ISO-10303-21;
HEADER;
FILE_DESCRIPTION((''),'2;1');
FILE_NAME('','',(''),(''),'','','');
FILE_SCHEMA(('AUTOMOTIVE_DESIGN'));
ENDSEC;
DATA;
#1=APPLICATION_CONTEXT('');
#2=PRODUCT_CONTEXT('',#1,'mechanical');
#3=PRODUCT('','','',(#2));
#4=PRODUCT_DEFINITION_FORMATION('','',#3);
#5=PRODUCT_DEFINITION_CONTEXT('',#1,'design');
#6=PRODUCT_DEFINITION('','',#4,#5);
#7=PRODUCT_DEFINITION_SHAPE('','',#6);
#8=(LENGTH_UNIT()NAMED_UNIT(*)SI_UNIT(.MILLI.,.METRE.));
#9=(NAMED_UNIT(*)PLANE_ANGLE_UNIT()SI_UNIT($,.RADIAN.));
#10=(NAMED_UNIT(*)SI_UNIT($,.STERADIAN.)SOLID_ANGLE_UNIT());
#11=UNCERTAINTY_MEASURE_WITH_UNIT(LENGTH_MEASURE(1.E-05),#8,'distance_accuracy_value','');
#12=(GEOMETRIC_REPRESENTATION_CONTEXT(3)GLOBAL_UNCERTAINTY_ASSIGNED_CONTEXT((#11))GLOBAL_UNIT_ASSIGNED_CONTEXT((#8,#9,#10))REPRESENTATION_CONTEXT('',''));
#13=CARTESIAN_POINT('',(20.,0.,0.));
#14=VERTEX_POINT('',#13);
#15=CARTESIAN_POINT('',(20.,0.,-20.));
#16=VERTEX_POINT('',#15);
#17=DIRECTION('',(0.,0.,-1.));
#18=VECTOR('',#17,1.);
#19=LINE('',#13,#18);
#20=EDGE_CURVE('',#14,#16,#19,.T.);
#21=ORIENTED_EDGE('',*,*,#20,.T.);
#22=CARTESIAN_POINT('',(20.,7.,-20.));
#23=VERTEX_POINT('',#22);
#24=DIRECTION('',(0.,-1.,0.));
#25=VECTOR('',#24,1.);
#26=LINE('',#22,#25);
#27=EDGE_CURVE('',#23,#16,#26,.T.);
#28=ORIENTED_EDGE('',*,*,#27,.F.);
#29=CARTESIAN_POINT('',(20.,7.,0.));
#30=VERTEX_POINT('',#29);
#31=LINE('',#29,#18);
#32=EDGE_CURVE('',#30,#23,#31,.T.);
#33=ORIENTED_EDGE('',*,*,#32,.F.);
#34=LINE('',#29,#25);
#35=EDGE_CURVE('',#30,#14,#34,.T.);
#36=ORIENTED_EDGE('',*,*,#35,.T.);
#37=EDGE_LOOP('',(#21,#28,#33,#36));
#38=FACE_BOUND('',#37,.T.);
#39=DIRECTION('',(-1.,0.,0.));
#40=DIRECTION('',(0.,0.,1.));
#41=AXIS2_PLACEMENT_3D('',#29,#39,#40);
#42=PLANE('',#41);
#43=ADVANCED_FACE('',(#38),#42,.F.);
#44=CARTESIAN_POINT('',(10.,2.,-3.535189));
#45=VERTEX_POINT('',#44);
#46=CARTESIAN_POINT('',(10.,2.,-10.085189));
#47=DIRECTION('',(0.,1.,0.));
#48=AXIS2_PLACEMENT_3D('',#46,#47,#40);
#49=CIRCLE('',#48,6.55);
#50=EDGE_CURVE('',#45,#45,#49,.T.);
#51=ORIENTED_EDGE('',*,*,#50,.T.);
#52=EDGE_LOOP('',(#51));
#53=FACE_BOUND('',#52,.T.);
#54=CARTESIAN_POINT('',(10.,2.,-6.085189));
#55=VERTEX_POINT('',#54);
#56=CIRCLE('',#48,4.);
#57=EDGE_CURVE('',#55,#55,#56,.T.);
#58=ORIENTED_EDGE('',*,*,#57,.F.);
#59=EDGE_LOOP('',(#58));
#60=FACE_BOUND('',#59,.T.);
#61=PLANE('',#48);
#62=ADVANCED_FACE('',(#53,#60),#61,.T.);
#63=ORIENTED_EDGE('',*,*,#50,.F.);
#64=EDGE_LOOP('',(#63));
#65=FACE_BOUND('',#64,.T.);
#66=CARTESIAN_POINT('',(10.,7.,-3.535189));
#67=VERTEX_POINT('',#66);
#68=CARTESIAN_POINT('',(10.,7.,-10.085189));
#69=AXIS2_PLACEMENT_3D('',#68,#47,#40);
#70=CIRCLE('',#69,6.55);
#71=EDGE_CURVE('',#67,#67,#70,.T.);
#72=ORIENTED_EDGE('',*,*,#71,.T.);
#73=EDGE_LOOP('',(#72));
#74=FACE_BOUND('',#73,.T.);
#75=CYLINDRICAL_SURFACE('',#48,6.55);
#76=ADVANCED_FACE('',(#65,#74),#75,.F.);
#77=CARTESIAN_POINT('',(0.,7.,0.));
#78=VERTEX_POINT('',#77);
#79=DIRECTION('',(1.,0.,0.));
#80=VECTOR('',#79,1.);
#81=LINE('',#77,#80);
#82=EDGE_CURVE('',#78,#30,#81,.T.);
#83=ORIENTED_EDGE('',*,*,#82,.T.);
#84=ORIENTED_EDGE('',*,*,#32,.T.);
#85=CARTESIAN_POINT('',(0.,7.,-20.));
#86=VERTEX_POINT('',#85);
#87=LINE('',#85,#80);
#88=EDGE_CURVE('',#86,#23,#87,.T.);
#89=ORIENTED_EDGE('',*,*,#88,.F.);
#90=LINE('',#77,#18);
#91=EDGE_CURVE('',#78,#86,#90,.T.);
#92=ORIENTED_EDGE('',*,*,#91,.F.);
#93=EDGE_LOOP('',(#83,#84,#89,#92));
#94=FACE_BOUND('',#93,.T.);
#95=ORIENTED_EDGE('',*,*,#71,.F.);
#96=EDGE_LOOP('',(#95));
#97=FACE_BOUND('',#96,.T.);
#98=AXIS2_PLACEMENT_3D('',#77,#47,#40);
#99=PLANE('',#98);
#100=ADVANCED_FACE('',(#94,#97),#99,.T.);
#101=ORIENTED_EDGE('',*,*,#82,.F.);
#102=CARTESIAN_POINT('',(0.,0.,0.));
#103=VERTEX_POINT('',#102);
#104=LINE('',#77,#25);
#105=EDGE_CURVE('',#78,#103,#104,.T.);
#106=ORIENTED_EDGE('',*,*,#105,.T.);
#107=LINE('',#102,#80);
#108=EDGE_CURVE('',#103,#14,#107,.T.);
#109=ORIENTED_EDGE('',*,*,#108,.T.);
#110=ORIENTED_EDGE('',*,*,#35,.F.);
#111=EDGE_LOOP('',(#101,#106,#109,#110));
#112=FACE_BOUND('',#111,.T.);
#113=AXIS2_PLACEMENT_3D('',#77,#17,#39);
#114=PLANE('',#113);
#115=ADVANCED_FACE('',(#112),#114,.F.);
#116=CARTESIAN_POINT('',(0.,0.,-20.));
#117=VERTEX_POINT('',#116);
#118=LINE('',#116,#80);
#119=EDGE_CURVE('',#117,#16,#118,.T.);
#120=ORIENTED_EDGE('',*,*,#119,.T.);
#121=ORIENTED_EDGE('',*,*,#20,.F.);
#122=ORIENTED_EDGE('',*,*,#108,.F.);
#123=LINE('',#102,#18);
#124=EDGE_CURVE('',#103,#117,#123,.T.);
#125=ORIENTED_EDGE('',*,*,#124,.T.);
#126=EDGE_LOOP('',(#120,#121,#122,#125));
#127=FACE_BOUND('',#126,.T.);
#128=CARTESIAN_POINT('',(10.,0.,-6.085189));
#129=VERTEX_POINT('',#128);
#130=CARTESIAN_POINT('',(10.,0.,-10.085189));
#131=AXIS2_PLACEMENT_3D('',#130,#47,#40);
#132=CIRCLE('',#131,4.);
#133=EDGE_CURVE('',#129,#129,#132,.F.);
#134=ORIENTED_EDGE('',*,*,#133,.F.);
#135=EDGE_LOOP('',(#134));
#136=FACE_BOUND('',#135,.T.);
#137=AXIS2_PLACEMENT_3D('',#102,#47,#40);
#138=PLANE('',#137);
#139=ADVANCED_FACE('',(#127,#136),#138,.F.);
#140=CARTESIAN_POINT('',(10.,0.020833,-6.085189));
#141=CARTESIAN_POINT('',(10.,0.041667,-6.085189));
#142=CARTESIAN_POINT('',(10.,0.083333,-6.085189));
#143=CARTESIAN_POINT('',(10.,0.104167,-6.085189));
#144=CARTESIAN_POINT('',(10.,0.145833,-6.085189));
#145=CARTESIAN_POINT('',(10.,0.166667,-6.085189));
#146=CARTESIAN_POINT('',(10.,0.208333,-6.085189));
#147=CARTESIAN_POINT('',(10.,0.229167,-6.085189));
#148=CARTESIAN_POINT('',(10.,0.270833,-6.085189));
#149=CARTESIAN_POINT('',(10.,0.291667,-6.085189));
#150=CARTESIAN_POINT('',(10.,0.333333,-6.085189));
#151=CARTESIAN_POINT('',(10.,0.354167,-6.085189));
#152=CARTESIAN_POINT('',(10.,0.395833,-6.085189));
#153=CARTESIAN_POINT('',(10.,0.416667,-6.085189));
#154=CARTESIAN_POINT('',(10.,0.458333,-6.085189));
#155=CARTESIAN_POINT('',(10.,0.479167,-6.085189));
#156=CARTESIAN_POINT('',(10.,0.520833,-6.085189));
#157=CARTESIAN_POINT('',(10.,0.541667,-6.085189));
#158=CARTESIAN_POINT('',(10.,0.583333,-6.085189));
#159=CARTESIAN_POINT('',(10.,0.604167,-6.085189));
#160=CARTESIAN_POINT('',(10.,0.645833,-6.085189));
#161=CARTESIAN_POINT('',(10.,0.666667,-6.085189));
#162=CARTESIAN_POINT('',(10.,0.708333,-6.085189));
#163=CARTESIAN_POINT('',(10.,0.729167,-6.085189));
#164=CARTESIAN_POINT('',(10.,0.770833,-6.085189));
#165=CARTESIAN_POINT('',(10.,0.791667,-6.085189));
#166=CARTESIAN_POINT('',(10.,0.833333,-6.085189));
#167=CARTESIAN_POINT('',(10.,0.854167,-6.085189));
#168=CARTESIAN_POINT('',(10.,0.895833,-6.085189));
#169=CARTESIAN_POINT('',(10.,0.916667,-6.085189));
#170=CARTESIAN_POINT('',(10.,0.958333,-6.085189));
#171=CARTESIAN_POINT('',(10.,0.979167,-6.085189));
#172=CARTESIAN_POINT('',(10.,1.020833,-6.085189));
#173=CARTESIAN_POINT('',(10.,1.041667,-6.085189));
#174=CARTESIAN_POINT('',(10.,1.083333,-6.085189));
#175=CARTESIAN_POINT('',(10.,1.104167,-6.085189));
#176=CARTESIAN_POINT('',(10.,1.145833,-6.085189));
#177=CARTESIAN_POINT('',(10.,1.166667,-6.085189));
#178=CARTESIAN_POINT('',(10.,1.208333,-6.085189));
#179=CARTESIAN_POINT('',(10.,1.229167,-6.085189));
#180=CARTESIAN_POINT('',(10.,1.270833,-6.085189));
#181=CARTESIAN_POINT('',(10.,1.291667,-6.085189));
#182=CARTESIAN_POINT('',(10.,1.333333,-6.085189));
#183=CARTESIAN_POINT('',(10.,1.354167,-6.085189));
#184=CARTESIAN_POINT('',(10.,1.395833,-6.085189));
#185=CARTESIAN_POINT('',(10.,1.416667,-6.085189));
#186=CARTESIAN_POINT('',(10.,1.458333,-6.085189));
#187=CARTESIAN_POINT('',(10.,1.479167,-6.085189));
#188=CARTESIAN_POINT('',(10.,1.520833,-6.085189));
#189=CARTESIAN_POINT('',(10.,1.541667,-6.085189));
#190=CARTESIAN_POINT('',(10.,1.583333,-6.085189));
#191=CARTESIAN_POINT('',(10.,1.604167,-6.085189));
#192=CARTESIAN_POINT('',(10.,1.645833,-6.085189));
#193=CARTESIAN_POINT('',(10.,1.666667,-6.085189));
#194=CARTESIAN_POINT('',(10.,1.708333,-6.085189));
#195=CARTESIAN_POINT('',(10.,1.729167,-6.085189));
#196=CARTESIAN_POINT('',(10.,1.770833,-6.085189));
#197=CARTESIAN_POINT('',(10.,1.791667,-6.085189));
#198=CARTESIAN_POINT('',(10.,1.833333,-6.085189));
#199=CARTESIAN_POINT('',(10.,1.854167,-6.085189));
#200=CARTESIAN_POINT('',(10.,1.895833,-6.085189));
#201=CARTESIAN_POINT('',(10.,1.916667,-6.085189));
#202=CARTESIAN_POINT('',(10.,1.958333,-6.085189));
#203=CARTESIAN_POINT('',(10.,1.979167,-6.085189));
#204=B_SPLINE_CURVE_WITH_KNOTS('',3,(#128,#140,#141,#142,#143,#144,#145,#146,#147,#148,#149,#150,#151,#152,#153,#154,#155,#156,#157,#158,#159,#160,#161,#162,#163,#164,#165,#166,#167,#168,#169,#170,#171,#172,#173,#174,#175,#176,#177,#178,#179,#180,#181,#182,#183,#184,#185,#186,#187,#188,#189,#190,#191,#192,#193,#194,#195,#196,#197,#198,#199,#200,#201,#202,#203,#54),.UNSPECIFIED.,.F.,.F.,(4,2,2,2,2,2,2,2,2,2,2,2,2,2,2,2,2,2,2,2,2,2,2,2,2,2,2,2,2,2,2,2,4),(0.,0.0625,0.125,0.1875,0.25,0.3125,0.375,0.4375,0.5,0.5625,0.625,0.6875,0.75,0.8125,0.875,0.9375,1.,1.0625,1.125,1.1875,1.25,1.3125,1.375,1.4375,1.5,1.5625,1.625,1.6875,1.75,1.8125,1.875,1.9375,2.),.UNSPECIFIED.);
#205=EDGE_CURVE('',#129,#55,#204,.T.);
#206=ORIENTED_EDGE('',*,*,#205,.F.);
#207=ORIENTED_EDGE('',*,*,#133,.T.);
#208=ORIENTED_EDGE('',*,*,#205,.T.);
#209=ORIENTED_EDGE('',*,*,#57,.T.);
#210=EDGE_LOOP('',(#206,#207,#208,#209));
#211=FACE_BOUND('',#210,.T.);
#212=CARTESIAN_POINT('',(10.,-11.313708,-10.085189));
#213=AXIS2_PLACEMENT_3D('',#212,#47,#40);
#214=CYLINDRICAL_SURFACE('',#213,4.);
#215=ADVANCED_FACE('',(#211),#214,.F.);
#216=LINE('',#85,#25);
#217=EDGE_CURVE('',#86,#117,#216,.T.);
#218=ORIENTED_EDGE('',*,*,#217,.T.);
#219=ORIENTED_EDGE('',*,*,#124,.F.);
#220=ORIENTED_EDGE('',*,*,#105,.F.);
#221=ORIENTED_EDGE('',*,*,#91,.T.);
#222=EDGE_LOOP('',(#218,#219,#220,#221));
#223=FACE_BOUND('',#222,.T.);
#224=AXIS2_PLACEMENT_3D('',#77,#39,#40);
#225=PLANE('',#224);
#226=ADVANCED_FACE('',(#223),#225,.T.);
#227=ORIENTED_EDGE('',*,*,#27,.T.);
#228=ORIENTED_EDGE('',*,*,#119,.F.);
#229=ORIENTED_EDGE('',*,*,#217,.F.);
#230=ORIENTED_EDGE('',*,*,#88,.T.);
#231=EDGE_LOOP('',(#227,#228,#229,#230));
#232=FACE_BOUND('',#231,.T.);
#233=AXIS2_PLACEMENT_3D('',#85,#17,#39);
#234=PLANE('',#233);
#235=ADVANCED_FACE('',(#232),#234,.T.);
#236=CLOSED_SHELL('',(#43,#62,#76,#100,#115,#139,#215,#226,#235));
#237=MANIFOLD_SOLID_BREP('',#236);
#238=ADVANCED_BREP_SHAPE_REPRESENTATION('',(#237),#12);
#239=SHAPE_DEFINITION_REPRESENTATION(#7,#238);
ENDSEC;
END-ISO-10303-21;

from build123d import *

# Parameters (mm, degrees)
SKETCH1_W           = 20
SKETCH1_H           = 20
BOSS_EXTRUDE1_DEPTH = 7
SKETCH2_R           = 6.55
CUT_EXTRUDE1_DEPTH  = 5
SKETCH3_R           = 4
CUT_EXTRUDE3_DEPTH  = 2


with BuildPart() as part:
    # Sketch1 → Boss-Extrude1 (new body)
    with BuildSketch(Plane(origin=(0, 0, 0), x_dir=(1, 0, 0), z_dir=(0, 1, 0))):
        with Locations((10, 10)):
            Rectangle(SKETCH1_W, SKETCH1_H)
    extrude(amount=BOSS_EXTRUDE1_DEPTH)

    # Sketch2 → Cut-Extrude1 (cut)
    with BuildSketch(Plane(origin=(0, 7, 0), x_dir=(1, 0, 0), z_dir=(0, 1, 0))):
        with Locations(Location((10, 10.085188857, 0), (0, 0, 270))):
            Circle(SKETCH2_R)
    extrude(amount=-CUT_EXTRUDE1_DEPTH, mode=Mode.SUBTRACT)

    # Sketch3 → Cut-Extrude3 (cut)
    with BuildSketch(Plane(origin=(0, 2, 0), x_dir=(1, 0, 0), z_dir=(0, 1, 0))):
        with Locations(Location((10, 10.085188857, 0), (0, 0, 270))):
            Circle(SKETCH3_R)
    extrude(amount=-CUT_EXTRUDE3_DEPTH, mode=Mode.SUBTRACT)


solid = part.part
